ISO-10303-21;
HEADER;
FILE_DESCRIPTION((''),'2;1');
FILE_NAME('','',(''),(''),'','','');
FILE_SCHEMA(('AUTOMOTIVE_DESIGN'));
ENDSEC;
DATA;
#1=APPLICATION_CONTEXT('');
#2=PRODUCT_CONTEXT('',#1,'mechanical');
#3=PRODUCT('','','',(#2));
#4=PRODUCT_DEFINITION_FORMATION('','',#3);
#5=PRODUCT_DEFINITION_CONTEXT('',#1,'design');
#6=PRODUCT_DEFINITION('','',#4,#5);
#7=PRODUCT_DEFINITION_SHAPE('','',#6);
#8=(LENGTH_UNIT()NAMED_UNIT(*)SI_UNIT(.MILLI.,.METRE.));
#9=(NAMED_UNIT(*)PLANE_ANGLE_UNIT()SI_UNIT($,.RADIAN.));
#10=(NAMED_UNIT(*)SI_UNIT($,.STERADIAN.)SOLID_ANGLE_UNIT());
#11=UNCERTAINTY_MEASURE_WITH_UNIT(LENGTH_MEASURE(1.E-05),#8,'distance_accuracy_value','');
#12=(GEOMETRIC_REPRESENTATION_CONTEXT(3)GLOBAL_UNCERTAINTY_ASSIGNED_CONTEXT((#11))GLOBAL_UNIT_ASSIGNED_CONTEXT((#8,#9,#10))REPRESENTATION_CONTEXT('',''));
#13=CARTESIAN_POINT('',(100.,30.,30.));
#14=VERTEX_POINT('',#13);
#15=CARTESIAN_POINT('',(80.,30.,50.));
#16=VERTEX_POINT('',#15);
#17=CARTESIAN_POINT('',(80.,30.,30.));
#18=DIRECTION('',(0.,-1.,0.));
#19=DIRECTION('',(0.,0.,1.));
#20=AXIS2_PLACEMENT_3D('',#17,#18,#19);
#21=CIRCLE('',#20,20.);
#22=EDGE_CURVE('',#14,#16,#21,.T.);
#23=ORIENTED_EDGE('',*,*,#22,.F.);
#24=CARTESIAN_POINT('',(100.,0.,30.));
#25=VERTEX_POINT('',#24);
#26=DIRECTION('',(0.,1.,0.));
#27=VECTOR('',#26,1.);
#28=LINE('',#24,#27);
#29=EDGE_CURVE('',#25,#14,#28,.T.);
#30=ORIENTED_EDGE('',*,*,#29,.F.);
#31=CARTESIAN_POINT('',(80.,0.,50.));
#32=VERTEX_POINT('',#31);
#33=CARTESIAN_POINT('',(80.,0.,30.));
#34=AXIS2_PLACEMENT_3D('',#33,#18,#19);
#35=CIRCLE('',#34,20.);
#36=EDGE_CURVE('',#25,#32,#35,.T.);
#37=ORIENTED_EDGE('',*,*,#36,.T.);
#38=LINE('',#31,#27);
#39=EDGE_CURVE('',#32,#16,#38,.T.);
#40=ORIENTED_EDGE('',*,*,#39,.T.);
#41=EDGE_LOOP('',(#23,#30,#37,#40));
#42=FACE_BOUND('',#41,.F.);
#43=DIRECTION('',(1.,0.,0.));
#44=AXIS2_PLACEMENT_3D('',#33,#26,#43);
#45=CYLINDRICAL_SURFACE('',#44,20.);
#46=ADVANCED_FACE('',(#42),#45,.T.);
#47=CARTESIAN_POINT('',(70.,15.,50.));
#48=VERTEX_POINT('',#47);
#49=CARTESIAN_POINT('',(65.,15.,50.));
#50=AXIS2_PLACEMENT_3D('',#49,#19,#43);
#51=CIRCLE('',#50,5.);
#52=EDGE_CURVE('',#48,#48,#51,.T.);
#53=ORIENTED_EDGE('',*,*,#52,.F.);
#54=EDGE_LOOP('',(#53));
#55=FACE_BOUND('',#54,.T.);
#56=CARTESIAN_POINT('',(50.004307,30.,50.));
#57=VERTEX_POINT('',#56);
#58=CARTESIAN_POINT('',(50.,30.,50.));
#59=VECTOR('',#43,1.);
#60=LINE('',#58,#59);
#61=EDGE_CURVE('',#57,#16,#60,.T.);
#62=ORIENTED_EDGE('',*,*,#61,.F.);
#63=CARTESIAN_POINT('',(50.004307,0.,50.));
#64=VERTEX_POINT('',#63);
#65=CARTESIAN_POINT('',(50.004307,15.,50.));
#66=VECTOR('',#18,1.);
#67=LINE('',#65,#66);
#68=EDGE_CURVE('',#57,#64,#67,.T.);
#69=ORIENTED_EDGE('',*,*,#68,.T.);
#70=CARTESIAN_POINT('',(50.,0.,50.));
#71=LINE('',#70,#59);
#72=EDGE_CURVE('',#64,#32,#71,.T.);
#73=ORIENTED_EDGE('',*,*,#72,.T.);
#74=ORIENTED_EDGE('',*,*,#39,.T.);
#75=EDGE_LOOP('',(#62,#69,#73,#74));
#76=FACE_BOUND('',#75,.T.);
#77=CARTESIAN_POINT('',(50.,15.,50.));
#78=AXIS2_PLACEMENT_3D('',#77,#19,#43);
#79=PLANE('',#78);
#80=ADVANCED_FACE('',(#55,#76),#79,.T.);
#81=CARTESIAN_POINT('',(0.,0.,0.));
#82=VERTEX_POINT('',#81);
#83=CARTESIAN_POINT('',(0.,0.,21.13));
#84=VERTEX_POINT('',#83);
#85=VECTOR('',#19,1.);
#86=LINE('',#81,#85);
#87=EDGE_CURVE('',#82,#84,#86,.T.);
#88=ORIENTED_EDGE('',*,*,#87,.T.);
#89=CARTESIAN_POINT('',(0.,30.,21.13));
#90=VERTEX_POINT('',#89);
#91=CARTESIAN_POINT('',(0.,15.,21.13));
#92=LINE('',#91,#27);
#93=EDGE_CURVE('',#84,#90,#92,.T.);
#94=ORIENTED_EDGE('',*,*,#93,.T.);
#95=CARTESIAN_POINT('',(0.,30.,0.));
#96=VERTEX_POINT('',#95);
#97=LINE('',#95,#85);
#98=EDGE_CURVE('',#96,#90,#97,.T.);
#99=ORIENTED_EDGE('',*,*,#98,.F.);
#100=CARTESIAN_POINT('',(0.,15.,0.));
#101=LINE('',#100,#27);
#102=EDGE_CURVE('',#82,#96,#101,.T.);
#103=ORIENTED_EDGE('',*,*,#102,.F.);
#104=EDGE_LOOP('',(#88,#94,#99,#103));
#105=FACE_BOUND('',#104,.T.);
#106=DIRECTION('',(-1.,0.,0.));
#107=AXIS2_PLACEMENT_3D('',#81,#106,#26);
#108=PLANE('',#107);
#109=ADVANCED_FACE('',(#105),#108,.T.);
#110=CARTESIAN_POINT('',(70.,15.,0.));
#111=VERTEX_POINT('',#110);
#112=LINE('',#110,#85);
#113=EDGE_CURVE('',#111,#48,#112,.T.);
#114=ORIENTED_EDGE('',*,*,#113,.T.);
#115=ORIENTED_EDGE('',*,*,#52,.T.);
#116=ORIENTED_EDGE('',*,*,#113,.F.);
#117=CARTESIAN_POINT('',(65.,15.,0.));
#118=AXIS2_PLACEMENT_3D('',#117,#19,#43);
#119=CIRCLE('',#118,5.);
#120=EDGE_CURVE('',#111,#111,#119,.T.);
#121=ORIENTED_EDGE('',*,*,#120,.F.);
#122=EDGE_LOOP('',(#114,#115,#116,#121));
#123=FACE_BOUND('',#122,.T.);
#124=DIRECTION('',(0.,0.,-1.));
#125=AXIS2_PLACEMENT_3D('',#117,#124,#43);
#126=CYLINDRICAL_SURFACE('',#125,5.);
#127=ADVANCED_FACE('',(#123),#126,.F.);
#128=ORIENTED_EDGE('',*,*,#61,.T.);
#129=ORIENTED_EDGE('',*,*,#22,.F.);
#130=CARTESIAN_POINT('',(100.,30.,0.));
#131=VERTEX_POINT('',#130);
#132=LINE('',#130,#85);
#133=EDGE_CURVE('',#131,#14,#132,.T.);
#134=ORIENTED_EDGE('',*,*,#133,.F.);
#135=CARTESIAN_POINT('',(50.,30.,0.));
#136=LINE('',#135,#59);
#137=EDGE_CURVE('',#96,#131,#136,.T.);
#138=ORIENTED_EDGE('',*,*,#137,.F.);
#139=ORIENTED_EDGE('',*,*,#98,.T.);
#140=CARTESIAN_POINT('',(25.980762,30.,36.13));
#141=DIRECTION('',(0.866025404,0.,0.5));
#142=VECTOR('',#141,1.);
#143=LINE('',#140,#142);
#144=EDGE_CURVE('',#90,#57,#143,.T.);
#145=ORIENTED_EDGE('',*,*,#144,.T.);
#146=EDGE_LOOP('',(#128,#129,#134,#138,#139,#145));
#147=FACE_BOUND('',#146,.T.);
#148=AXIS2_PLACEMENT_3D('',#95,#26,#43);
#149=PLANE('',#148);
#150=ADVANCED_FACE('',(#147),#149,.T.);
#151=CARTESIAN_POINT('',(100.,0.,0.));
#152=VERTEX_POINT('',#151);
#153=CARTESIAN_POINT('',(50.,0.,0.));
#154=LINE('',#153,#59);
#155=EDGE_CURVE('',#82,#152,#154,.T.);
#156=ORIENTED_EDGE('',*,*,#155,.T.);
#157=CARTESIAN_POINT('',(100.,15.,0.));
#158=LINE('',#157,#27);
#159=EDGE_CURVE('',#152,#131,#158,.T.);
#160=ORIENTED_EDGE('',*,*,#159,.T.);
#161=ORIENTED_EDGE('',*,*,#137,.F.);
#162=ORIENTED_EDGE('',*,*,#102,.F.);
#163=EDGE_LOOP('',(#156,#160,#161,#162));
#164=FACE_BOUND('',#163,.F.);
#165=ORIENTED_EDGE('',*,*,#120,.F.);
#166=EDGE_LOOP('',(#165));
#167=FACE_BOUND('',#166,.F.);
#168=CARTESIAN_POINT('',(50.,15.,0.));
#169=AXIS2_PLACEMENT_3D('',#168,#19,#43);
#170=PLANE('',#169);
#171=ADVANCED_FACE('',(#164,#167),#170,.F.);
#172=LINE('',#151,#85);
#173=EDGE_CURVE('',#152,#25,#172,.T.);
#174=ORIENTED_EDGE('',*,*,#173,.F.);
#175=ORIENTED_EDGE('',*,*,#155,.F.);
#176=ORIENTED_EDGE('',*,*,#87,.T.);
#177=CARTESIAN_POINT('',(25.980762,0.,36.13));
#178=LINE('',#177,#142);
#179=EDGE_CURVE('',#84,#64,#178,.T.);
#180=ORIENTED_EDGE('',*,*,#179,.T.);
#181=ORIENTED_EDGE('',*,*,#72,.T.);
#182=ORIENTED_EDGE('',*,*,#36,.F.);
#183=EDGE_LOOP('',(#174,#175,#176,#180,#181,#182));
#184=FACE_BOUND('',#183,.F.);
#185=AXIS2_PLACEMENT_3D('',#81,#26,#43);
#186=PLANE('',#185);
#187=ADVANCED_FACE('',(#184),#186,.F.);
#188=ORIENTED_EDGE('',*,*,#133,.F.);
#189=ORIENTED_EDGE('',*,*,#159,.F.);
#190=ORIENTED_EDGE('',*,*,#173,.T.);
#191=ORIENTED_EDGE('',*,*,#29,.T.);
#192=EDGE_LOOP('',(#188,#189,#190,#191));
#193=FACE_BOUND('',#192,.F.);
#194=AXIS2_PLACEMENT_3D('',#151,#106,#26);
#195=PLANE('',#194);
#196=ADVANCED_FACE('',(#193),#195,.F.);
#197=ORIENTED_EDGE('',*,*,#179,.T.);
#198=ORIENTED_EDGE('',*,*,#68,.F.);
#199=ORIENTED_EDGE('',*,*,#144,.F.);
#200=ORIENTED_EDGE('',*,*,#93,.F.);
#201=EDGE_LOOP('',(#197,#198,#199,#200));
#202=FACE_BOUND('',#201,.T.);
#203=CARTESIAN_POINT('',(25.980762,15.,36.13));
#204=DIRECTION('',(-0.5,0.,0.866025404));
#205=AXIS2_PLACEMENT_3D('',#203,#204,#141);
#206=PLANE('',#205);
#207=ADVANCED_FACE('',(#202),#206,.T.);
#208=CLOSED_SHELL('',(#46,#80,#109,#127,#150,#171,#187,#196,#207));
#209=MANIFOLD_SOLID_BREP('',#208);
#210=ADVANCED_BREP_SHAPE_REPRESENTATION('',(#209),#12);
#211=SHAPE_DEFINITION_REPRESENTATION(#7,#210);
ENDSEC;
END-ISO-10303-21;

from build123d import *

# Parameters (mm, degrees)
CYLINDER_R             = 5
CYLINDER_DEPTH         = 50
BOX001_W               = 60
BOX001_H               = 30
BOX001_DEPTH           = 30
BOX001_PLACEMENT_ANGLE = 330
BOX_W                  = 100
BOX_H                  = 30
BOX_DEPTH              = 50
FILLET_R               = 20


with BuildPart() as cylinder:
    # Cylinder → Cylinder (new body)
    with BuildSketch(Plane(origin=(65, 15, 0), x_dir=(1, 0, 0), z_dir=(0, 0, 1))):
        Circle(CYLINDER_R)
    extrude(amount=CYLINDER_DEPTH)


with BuildPart() as cube001:
    # Box001 → Box001 (new body)
    with BuildSketch(Plane.XY):
        with Locations((30, 15)):
            Rectangle(BOX001_W, BOX001_H)
    extrude(amount=BOX001_DEPTH)


with BuildPart() as cube001_1:
    # Box001 placement: moved
    add(cube001.part.moved(Location((0, 0, 21.13))).rotate(Axis((0, 0, 21.13), (0, 1, 0)), BOX001_PLACEMENT_ANGLE))


with BuildPart() as simplepart:
    # Box → Box (new body)
    with BuildSketch(Plane.XY):
        with Locations((50, 15)):
            Rectangle(BOX_W, BOX_H)
    extrude(amount=BOX_DEPTH)

    # Fillet
    fillet_edges = [simplepart.edges().sort_by_distance(p)[0] for p in [
        (100, 15, 50),
    ]]
    fillet(fillet_edges, radius=FILLET_R)

    # Cut: cut Cube001
    add(cube001_1.part, mode=Mode.SUBTRACT)

    # Cut001: cut Cylinder
    add(cylinder.part, mode=Mode.SUBTRACT)


solid = simplepart.part
